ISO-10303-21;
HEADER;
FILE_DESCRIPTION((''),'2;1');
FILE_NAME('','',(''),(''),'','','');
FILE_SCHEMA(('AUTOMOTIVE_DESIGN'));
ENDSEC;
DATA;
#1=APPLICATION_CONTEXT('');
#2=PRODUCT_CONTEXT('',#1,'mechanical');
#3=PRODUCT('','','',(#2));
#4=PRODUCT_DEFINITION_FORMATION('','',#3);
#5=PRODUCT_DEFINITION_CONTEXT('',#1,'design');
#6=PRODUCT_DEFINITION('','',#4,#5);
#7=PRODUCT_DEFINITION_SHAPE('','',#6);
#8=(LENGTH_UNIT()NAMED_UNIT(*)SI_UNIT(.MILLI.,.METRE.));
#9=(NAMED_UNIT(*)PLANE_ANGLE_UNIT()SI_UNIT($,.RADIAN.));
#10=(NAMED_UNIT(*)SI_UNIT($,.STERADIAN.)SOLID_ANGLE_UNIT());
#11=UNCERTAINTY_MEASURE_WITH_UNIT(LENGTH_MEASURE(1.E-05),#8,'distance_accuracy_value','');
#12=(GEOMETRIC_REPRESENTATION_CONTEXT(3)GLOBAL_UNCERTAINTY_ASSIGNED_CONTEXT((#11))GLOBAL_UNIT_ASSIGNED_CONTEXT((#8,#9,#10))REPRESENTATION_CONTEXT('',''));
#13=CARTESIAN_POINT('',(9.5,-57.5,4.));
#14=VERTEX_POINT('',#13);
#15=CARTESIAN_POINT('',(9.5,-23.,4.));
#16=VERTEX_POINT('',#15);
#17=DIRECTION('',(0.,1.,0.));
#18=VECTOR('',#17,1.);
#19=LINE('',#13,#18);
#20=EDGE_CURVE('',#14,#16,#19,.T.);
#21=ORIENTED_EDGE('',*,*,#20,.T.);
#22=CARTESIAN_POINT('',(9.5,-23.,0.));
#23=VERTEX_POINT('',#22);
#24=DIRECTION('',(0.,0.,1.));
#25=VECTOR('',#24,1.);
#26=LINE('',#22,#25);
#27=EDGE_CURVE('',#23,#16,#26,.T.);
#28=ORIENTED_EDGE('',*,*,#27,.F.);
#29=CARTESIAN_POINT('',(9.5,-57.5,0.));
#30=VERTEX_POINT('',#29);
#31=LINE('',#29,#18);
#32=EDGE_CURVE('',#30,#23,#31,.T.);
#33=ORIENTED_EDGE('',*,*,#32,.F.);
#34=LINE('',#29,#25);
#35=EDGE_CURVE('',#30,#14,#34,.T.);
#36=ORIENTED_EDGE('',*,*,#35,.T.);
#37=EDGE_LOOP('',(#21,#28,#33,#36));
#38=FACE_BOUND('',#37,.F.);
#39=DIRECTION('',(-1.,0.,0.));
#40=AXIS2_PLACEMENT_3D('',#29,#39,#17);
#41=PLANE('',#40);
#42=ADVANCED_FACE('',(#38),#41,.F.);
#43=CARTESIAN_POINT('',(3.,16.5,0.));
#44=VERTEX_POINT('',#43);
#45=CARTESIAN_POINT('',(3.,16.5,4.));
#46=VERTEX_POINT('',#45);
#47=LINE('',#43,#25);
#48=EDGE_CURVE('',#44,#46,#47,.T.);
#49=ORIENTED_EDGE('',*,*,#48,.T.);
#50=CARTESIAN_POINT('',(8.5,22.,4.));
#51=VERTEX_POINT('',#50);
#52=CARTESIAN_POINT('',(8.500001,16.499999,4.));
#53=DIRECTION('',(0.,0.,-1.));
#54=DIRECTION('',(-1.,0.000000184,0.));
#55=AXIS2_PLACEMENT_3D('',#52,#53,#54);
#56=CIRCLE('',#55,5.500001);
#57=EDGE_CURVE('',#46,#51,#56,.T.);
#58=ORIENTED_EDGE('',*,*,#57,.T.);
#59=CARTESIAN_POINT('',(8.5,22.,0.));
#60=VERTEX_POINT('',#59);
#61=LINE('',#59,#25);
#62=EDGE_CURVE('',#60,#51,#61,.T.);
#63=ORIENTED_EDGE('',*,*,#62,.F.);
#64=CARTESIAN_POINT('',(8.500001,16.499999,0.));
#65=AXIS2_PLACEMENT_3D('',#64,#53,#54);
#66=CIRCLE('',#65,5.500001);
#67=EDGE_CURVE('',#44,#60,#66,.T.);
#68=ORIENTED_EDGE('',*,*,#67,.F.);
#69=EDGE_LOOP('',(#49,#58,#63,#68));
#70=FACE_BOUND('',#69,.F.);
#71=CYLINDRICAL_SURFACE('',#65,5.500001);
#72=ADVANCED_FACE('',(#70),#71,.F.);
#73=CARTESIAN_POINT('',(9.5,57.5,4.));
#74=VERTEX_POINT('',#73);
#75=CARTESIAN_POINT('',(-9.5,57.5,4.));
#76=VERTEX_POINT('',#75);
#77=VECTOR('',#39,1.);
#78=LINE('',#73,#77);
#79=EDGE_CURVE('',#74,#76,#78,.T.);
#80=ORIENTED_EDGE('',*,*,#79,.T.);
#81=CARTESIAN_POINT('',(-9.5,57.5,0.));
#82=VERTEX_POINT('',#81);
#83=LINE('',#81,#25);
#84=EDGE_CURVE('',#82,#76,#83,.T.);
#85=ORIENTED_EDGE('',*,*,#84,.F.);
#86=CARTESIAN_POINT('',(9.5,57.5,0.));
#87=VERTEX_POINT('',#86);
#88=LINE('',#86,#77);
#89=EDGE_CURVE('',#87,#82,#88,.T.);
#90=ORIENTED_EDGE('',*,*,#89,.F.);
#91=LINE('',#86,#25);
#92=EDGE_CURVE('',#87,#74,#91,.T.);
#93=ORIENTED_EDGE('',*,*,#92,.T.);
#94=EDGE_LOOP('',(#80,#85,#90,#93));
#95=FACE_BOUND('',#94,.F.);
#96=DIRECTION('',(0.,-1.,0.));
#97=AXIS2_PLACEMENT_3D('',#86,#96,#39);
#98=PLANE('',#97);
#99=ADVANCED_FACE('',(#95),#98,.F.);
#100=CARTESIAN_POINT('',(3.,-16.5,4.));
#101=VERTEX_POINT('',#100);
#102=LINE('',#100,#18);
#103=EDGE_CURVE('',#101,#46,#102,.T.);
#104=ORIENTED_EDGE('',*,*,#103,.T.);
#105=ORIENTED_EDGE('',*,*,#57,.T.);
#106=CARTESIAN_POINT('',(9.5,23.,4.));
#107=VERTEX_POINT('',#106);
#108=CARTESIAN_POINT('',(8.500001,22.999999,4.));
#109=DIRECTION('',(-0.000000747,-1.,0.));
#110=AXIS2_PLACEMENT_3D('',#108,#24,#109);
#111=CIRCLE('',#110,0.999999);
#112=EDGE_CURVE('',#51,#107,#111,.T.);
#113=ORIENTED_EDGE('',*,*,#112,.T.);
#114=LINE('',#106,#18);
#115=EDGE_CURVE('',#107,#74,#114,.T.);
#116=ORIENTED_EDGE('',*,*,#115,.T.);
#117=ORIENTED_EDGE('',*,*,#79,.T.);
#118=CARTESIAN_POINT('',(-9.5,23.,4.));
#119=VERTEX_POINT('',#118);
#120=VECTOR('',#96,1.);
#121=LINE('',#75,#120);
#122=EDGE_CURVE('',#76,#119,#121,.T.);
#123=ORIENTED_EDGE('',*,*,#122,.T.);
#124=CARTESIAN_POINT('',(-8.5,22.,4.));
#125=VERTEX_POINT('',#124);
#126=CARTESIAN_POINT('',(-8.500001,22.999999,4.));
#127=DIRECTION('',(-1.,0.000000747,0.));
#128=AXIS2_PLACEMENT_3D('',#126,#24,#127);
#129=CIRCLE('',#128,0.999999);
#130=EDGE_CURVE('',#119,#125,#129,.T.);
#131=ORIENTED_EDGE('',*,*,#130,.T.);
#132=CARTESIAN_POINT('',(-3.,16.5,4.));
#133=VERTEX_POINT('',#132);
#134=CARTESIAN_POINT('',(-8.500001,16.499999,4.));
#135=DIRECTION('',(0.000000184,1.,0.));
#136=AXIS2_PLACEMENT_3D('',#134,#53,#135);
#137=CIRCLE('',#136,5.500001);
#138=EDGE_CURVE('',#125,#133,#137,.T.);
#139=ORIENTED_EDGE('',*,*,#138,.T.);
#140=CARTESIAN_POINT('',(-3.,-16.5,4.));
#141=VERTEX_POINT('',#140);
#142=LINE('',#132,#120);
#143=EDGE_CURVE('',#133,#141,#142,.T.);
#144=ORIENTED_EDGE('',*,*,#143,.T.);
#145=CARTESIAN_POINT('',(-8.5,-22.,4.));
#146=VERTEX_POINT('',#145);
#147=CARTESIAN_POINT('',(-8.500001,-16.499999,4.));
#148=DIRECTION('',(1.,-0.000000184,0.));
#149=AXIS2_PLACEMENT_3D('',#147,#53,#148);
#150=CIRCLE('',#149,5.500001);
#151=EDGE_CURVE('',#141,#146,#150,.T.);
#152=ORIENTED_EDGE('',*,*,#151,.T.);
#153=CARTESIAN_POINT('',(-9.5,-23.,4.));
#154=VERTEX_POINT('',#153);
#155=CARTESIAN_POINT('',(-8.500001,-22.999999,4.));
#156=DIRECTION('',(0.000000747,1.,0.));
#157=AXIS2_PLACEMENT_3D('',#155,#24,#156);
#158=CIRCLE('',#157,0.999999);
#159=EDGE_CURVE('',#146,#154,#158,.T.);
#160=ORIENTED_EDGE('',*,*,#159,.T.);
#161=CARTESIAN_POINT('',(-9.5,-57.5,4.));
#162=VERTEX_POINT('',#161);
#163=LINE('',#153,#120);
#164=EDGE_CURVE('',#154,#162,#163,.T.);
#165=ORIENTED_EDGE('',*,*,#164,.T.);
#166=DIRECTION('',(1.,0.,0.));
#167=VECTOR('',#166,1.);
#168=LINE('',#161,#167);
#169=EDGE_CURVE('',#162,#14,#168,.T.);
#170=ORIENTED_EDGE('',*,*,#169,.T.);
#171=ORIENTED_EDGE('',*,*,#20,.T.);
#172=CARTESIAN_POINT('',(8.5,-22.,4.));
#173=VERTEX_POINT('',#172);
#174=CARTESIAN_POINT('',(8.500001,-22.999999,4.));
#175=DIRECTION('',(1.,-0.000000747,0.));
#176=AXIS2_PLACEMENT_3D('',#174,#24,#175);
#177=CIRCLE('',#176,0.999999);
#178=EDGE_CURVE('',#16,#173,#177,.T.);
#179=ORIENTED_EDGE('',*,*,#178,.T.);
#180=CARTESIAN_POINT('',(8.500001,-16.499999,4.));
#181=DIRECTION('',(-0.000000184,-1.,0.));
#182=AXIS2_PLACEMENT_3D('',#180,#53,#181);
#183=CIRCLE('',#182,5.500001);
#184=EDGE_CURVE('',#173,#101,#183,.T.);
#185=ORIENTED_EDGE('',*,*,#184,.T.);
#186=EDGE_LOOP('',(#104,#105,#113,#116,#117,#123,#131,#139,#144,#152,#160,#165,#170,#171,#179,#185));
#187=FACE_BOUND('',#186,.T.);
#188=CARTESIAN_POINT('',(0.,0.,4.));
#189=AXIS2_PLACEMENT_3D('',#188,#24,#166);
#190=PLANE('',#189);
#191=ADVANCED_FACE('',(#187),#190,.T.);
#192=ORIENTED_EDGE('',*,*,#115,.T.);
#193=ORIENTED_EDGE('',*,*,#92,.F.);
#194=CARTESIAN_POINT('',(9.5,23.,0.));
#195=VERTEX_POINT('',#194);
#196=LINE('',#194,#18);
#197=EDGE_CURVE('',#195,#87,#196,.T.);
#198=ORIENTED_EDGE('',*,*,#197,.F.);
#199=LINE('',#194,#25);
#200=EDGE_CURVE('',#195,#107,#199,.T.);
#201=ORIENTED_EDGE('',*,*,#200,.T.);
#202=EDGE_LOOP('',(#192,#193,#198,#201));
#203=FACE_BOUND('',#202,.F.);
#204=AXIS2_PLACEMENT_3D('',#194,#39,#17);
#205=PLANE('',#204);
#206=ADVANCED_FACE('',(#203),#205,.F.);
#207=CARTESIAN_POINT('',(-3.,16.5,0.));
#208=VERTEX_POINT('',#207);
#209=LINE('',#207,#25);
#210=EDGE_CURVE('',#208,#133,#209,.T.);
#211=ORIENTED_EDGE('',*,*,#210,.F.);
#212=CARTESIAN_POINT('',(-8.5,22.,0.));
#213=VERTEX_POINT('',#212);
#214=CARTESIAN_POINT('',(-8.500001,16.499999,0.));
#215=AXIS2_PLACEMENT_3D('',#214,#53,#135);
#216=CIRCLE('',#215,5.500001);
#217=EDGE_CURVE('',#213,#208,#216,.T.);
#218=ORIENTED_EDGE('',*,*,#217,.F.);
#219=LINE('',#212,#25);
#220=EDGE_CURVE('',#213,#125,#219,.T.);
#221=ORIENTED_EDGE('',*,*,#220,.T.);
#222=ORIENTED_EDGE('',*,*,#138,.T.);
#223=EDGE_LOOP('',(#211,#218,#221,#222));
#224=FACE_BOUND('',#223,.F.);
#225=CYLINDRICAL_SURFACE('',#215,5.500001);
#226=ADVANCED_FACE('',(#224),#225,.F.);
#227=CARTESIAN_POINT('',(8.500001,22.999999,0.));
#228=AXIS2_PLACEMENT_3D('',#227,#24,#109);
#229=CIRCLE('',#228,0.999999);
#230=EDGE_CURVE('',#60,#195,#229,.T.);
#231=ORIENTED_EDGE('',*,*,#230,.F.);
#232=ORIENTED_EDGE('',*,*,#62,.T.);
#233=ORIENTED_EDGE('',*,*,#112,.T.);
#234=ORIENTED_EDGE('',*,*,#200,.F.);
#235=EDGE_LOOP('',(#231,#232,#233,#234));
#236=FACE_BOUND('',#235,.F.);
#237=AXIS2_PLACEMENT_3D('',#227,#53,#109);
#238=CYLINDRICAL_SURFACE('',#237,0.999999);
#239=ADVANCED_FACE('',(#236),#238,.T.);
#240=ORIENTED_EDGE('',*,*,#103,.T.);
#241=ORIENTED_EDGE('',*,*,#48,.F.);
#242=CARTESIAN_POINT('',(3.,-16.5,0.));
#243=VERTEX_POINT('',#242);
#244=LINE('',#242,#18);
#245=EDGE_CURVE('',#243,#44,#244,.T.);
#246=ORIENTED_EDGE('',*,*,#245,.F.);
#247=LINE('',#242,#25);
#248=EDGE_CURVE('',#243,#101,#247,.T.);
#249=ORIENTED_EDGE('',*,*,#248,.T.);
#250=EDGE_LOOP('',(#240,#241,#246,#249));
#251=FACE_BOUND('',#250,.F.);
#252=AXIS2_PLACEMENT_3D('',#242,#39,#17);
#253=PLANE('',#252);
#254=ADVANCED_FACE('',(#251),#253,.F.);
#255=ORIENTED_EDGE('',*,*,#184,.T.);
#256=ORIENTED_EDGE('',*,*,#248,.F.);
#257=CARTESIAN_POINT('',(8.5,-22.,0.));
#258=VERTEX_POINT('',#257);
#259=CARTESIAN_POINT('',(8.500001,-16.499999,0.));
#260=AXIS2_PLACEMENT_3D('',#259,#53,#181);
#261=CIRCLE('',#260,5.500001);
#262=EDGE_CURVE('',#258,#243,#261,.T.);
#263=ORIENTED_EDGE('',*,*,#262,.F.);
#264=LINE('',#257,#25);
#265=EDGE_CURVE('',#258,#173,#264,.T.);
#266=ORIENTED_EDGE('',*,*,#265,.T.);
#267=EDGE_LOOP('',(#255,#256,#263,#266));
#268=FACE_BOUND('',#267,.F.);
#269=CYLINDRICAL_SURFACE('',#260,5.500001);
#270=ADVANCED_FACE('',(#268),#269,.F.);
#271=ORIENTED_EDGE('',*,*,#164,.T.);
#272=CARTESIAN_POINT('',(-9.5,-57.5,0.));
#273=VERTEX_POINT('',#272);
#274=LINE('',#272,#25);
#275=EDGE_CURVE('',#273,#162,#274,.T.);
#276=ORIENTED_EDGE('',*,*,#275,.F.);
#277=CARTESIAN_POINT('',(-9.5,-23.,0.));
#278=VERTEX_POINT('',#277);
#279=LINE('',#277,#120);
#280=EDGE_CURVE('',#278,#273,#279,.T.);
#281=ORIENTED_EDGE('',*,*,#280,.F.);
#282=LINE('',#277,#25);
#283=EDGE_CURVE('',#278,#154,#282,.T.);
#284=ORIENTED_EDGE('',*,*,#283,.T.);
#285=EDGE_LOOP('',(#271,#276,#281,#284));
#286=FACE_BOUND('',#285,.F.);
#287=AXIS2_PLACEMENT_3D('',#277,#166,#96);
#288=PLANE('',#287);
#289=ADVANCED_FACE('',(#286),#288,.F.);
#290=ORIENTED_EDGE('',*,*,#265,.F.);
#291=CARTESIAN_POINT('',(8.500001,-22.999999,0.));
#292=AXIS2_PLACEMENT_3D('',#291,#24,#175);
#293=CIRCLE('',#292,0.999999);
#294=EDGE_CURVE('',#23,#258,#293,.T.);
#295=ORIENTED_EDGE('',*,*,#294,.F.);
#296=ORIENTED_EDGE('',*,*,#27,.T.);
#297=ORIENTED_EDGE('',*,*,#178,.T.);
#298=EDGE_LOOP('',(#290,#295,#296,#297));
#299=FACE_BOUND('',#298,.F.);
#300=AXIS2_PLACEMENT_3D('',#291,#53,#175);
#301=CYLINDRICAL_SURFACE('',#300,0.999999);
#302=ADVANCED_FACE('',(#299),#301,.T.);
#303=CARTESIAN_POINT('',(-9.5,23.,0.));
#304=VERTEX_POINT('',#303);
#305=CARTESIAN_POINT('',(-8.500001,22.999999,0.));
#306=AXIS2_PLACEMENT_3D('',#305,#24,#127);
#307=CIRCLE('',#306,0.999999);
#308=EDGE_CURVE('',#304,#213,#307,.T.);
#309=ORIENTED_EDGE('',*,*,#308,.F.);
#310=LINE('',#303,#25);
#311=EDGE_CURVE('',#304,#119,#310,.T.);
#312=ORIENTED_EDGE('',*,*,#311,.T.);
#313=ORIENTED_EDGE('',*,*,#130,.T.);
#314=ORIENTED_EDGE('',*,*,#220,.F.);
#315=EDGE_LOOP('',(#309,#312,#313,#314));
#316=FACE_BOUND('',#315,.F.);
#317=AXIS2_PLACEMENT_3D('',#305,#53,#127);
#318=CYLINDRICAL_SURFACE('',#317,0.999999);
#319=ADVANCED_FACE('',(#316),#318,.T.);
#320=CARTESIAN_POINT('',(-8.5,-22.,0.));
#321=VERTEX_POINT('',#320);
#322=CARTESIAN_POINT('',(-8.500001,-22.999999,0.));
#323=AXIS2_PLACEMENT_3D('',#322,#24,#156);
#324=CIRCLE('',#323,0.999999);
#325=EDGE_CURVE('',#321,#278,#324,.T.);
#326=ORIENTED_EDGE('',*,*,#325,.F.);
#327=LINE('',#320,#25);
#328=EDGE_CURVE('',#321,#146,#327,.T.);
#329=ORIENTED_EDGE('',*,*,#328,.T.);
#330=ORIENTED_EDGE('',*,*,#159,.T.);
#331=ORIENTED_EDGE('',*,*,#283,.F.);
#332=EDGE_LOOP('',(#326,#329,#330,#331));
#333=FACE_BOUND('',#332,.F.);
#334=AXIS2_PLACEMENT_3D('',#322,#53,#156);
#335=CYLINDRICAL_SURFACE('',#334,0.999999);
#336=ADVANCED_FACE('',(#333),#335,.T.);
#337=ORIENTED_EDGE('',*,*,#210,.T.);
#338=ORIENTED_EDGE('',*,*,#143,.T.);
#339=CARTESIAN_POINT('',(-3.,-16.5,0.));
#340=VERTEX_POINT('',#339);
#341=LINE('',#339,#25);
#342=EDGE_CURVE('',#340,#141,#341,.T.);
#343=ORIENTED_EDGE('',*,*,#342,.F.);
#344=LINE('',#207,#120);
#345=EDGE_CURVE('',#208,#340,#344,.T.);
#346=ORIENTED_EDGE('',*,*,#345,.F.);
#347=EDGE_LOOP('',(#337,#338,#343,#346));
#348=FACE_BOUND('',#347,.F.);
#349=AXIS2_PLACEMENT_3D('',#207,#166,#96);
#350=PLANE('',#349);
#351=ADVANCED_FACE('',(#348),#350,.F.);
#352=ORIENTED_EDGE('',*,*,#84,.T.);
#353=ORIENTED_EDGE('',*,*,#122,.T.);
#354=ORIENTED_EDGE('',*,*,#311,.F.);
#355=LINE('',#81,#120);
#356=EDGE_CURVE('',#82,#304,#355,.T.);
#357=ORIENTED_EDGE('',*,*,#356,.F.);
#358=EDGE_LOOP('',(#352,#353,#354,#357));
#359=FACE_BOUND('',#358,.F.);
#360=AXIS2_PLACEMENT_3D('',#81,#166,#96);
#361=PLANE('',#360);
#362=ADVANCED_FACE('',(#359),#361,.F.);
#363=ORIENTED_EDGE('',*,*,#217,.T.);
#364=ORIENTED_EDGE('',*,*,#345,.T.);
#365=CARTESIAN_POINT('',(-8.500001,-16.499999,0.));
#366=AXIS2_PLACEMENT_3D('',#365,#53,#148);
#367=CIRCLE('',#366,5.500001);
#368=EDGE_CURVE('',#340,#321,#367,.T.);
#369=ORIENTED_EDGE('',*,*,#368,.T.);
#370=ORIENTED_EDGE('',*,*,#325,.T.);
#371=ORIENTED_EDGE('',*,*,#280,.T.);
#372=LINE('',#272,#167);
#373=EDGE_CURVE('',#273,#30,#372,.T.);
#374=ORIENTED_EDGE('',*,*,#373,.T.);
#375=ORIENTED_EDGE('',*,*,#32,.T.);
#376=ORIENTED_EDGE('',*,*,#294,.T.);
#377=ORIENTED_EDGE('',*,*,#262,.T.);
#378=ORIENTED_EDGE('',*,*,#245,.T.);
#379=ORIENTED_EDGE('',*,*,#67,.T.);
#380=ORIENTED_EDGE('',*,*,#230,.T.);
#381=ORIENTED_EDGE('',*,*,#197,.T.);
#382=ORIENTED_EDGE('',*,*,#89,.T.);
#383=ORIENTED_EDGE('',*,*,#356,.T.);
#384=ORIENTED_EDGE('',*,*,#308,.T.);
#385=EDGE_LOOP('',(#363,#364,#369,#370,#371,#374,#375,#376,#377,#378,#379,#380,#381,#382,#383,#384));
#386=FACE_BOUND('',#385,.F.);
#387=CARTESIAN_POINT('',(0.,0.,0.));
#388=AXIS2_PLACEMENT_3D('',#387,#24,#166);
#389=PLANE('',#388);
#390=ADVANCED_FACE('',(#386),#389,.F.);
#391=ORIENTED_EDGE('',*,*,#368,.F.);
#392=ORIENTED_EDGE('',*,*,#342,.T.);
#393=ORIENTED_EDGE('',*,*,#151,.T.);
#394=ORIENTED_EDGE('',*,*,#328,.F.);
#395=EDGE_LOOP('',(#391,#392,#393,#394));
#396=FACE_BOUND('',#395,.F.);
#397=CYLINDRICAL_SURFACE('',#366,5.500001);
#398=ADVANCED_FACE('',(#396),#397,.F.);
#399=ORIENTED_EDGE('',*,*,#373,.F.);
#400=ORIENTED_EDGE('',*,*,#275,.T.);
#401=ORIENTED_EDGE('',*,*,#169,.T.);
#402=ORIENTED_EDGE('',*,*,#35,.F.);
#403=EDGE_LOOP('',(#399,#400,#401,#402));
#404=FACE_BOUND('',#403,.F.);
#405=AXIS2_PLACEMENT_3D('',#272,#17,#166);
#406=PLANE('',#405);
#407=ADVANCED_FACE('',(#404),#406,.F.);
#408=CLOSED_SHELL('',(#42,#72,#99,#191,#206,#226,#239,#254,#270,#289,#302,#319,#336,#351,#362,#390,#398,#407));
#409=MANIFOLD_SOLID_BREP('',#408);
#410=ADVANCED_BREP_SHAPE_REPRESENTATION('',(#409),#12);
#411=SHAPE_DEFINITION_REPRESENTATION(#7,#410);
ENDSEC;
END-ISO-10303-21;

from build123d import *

# Parameters (mm, degrees)
F1_DEPTH = 4


with BuildPart() as f1:
    # F0 (on Top) → F1 (new body)
    with BuildSketch(Plane.XY):
        with BuildLine():
            Line((9.5, 57.5), (0, 57.5))
            Line((0, 57.5), (-9.5, 57.5))
            Line((-9.5, 57.5), (-9.5, 23))
            ThreePointArc((-9.5, 23), (-9.207107, 22.292893), (-8.5, 22))
            ThreePointArc((-8.5, 22), (-4.610913, 20.389087), (-3, 16.5))
            Line((-3, 16.5), (-3, 0))
            Line((-3, 0), (-3, -16.5))
            ThreePointArc((-3, -16.5), (-4.610913, -20.389087), (-8.5, -22))
            ThreePointArc((-8.5, -22), (-9.207107, -22.292893), (-9.5, -23))
            Line((-9.5, -23), (-9.5, -57.5))
            Line((-9.5, -57.5), (0, -57.5))
            Line((0, -57.5), (9.5, -57.5))
            Line((9.5, -57.5), (9.5, -23))
            ThreePointArc((9.5, -23), (9.207107, -22.292893), (8.5, -22))
            ThreePointArc((8.5, -22), (4.610913, -20.389087), (3, -16.5))
            Line((3, -16.5), (3, 0))
            Line((3, 0), (3, 16.5))
            ThreePointArc((3, 16.5), (4.610913, 20.389087), (8.5, 22))
            ThreePointArc((8.5, 22), (9.207107, 22.292893), (9.5, 23))
            Line((9.5, 23), (9.5, 57.5))
        make_face()
    extrude(amount=F1_DEPTH)


solid = f1.part
